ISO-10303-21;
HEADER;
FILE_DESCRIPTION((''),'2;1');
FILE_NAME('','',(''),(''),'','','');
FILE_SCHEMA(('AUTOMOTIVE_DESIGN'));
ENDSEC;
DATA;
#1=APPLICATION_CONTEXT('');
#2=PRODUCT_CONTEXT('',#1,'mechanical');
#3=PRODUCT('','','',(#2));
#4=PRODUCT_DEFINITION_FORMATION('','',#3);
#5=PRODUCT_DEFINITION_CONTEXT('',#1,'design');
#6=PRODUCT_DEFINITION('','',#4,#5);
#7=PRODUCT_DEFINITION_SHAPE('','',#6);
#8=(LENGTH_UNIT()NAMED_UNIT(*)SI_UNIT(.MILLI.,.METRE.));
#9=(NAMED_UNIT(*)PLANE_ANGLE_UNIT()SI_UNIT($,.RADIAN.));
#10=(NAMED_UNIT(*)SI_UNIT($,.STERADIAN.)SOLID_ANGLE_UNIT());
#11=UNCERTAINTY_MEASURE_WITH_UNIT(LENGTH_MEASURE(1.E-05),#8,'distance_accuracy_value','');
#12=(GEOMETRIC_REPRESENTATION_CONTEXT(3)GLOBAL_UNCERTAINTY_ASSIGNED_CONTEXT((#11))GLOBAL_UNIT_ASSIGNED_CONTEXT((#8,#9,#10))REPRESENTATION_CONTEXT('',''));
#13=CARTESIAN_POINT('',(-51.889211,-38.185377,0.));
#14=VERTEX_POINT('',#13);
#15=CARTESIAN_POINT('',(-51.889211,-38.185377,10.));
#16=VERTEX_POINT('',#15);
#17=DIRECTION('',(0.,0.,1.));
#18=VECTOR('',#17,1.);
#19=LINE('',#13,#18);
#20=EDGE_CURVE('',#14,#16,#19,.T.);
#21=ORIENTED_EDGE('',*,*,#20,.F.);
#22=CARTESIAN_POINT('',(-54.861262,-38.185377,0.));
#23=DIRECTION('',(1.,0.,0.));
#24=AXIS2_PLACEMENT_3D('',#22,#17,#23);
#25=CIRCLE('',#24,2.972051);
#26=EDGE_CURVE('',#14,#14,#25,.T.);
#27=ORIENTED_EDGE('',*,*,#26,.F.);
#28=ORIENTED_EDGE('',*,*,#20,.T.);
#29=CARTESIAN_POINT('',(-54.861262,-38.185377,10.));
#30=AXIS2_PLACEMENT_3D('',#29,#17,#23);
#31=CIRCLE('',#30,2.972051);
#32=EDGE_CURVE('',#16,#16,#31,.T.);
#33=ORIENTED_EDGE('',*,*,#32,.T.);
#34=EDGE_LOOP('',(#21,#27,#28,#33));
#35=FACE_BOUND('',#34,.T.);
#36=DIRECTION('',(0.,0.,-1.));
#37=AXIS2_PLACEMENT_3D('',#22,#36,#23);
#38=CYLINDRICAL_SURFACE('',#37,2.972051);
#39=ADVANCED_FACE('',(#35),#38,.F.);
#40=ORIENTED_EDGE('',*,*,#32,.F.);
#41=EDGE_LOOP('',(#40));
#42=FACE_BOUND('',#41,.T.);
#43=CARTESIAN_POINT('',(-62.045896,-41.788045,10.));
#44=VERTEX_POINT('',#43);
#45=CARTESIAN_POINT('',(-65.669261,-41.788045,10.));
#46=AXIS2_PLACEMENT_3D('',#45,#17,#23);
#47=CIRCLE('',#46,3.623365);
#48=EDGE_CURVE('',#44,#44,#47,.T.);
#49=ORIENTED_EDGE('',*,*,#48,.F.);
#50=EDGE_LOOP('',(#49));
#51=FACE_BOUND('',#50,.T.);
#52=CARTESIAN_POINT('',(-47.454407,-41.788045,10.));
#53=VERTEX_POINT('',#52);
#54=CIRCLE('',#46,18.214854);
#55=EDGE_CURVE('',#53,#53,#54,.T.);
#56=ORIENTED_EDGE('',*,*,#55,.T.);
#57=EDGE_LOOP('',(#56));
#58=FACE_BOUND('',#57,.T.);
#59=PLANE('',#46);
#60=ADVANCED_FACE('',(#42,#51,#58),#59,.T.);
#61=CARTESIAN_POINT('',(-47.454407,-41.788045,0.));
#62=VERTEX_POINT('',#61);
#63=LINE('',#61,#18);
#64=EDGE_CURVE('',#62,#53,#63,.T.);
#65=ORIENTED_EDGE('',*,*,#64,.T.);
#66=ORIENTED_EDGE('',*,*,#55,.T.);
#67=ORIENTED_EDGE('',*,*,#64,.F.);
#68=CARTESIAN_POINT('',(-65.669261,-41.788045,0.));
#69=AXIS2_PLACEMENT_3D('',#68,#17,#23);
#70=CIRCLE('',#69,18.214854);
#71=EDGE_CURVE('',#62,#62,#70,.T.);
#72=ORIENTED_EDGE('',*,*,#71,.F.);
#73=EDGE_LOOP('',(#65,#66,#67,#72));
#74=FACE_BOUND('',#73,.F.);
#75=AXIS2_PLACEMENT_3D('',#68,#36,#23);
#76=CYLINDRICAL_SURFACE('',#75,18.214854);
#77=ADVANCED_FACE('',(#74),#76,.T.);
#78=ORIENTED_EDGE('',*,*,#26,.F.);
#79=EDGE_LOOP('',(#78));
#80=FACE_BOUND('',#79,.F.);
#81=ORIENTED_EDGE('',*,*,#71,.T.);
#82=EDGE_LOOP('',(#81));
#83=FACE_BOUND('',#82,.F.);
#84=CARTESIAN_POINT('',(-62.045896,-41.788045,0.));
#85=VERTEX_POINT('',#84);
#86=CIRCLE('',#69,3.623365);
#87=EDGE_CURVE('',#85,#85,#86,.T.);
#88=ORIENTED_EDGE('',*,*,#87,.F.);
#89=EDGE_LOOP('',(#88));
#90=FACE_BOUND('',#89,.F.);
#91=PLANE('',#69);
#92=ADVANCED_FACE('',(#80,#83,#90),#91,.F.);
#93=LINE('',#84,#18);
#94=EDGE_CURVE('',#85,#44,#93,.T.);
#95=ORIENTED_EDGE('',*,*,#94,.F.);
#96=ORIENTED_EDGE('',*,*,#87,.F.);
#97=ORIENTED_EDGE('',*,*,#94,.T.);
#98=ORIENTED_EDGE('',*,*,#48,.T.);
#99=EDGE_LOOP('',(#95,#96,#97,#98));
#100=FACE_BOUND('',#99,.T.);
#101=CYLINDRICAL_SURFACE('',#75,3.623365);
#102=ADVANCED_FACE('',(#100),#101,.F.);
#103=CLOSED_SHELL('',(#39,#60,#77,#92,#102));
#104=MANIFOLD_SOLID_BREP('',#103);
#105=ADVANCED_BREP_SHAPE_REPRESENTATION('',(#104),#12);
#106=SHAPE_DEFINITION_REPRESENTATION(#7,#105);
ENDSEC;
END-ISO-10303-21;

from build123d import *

# Parameters (mm, degrees)
F0_R     = 18.214854
F0_R_2   = 3.623365
F0_R_3   = 2.972051
F1_DEPTH = 10


with BuildPart() as f1:
    # F0 (on Top) → F1 (new body)
    with BuildSketch(Plane.XY):
        with Locations((-65.669261, -41.788045)):
            Circle(F0_R)
        with Locations((-65.669261, -41.788045)):
            Circle(F0_R_2, mode=Mode.SUBTRACT)
        with Locations((-54.861262, -38.185377)):
            Circle(F0_R_3, mode=Mode.SUBTRACT)
    extrude(amount=F1_DEPTH)


solid = f1.part
